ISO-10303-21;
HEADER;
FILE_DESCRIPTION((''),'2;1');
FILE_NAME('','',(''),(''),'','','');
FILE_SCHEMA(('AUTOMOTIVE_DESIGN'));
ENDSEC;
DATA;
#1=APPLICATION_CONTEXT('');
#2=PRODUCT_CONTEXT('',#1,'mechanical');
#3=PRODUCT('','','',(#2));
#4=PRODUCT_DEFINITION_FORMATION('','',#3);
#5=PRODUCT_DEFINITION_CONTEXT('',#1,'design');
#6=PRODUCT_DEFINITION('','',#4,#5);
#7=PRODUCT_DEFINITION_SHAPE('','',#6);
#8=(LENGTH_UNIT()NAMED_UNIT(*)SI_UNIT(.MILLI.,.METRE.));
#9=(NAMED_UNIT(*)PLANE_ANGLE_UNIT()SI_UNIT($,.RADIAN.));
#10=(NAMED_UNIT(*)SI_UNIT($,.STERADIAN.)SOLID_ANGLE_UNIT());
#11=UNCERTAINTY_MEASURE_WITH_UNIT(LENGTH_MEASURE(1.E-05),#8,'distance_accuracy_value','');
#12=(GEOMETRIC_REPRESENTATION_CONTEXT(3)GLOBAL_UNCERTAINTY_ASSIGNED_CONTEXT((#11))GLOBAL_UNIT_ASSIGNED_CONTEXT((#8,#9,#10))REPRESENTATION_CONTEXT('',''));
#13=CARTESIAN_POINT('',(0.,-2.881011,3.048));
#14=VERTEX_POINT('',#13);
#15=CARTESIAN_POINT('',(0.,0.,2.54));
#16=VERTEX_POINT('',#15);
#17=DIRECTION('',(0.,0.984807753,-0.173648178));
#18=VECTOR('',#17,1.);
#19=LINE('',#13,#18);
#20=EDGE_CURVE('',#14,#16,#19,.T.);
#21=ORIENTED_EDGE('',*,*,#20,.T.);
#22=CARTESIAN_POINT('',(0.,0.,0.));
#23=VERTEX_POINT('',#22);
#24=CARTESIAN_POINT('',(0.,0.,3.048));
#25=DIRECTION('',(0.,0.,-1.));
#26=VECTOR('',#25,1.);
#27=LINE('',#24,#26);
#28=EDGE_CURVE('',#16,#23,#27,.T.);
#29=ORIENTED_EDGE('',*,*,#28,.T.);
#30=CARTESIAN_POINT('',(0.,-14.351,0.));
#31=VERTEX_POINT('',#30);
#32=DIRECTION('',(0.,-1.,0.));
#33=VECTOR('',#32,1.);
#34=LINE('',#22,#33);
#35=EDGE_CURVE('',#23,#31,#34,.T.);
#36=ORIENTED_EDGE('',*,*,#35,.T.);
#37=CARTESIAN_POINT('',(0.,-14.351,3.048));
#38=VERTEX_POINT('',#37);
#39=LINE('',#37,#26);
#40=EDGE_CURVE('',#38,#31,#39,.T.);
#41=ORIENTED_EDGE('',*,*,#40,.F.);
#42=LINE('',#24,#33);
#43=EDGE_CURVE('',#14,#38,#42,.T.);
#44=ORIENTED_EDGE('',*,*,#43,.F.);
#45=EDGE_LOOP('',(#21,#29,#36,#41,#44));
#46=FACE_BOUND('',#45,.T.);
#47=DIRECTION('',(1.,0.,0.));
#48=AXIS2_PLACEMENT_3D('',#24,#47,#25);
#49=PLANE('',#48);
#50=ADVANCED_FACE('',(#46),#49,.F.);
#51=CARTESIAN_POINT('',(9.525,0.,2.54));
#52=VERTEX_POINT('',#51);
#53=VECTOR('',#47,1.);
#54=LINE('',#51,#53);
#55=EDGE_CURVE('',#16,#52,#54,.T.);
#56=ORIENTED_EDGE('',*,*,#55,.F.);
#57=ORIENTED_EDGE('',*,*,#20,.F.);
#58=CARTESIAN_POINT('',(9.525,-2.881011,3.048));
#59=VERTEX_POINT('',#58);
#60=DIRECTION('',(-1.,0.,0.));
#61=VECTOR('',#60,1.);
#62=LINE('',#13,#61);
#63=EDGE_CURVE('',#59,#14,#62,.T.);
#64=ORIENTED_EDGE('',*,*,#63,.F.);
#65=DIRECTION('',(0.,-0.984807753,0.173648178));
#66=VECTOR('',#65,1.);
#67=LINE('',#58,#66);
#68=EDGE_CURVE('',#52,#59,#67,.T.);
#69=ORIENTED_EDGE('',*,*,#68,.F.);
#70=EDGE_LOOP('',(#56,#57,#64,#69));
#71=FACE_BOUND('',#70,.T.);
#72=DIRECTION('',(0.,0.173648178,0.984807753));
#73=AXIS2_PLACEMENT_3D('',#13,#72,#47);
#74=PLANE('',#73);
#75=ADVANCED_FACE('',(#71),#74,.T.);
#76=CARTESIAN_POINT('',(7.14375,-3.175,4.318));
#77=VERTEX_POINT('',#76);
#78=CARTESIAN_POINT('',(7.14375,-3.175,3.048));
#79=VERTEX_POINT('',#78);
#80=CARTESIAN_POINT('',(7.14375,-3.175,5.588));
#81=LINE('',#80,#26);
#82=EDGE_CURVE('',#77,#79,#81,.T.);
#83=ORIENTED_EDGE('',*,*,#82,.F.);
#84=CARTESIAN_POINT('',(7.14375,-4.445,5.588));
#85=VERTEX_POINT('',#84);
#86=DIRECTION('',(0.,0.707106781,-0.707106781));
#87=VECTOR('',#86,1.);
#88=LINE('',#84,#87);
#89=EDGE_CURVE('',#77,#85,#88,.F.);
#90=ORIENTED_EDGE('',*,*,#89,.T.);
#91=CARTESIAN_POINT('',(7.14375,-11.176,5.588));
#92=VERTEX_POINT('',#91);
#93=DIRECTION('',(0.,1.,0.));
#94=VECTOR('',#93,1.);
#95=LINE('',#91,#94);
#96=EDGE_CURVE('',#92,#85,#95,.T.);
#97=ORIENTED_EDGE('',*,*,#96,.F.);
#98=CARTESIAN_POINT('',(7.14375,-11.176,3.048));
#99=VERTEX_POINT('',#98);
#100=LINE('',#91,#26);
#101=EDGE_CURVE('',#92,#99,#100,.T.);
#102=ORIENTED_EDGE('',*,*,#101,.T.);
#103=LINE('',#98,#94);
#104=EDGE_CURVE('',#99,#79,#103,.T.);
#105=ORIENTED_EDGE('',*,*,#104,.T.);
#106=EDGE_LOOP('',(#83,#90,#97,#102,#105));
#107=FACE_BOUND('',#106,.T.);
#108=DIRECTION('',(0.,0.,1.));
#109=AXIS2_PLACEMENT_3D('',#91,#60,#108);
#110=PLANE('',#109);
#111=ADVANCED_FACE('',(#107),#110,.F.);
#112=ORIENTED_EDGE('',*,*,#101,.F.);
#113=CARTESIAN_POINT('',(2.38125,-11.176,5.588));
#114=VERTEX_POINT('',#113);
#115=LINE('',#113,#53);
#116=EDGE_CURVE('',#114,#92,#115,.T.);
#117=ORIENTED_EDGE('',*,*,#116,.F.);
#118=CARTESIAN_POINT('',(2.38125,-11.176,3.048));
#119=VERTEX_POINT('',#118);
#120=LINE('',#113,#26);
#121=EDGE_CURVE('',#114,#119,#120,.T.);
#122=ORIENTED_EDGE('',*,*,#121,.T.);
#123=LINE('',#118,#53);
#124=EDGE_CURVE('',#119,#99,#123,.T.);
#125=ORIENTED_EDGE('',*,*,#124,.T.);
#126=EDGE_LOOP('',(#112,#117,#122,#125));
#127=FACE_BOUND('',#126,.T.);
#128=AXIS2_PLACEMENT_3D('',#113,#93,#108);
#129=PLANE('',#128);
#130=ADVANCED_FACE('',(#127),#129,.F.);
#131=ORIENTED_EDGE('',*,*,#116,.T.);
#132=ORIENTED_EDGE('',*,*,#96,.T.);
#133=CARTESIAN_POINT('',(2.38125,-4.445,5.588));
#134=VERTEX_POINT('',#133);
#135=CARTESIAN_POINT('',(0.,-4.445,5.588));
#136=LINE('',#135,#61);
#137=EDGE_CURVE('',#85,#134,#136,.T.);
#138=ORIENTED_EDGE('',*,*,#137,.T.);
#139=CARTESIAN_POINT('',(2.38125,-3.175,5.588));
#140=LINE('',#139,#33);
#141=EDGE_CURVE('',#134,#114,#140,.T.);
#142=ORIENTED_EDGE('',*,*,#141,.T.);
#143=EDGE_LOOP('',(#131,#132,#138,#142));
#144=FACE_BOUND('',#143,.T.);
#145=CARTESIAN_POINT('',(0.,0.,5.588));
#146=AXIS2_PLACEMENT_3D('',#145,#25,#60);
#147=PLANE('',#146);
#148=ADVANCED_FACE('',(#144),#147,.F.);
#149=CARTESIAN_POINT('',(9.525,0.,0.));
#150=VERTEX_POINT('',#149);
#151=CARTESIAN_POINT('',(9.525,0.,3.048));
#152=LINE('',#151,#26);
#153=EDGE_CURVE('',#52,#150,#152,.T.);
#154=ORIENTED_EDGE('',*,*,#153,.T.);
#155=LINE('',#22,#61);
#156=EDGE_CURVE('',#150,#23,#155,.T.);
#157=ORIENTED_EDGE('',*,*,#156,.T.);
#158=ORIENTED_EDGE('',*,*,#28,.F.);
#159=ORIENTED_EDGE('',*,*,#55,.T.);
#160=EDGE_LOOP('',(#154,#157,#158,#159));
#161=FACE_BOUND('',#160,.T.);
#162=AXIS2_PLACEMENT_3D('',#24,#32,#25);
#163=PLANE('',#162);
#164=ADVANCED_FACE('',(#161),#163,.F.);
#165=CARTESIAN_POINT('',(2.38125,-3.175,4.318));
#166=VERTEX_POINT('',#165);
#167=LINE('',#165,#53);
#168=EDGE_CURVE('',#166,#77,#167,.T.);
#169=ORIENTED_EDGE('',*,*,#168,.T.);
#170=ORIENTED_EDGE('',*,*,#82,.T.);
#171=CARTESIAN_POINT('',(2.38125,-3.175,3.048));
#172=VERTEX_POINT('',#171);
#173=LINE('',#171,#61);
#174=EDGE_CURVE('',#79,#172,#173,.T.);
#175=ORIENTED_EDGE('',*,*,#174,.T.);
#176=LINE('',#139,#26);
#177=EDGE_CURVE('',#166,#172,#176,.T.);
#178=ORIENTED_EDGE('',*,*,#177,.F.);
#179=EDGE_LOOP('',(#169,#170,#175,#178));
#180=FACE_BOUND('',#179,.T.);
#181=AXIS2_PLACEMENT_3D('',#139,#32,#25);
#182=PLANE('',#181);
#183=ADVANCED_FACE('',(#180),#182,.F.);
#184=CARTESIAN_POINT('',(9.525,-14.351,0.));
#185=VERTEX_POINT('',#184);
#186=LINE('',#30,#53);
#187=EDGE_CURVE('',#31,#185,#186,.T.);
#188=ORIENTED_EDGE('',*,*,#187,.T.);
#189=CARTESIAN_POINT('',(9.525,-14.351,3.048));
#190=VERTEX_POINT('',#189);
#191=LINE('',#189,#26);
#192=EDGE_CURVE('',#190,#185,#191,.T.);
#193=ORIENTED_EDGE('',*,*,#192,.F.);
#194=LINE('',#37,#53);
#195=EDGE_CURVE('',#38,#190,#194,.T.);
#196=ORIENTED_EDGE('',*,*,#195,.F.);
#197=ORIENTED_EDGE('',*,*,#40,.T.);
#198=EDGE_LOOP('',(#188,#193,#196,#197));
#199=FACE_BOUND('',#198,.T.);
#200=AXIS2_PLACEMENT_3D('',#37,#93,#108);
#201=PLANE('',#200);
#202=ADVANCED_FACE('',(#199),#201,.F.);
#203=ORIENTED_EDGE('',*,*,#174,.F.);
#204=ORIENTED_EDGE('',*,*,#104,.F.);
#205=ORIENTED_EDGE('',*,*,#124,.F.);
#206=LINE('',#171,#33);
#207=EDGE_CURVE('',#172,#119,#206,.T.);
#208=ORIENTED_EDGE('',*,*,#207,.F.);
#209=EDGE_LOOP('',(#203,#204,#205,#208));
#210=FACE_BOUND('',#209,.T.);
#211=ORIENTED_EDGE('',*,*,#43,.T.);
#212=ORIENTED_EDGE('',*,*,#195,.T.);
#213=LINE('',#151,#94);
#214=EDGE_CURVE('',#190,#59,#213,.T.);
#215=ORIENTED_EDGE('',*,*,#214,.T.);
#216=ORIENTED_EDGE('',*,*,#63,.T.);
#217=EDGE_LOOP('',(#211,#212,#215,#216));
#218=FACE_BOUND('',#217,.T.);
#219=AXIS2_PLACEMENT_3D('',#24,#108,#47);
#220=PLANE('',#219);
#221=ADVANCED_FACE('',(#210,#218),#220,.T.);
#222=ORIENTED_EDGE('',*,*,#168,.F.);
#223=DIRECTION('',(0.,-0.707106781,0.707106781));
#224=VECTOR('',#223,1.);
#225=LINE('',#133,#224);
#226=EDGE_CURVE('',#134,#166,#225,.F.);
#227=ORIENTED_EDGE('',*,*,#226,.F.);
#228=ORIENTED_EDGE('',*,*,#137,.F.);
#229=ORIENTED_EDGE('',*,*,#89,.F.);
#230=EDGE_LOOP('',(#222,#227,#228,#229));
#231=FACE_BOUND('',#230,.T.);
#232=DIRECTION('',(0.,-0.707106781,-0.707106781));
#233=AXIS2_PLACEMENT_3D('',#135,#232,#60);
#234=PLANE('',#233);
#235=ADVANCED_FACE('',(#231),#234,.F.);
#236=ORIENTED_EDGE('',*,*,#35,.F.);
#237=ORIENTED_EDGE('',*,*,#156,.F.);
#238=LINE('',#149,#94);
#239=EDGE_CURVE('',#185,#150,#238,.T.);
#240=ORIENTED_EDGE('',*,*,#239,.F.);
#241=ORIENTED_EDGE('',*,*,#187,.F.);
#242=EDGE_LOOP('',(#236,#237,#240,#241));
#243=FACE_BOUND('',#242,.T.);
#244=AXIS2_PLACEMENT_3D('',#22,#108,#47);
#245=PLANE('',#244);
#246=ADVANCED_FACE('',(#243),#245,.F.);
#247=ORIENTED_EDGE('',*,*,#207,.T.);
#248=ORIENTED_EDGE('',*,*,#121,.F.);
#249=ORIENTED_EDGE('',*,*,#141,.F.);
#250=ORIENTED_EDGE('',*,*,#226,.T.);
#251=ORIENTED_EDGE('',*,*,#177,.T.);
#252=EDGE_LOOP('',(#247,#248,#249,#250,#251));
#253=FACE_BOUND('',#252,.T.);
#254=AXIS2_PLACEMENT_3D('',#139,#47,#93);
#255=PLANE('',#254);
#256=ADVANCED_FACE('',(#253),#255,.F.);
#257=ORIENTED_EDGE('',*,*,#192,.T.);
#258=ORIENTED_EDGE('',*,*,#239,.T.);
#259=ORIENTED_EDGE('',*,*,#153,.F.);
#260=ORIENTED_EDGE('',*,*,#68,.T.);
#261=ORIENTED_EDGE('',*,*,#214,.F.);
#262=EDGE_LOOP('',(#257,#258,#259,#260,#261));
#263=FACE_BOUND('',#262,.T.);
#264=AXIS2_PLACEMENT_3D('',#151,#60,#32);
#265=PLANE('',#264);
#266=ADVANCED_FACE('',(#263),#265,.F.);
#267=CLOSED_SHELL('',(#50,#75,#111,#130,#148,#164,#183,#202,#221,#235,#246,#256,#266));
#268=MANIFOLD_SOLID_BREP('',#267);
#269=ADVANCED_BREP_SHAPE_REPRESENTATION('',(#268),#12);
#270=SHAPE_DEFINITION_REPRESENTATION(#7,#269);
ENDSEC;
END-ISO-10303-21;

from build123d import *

# Parameters (mm, degrees)
SKETCH1_W           = 9.525
SKETCH1_H           = 14.351
BOSS_EXTRUDE1_DEPTH = 3.048
SKETCH2_W           = 4.7625
SKETCH2_H           = 8.001
BOSS_EXTRUDE2_DEPTH = 2.54
CHAMFER1_SIZE       = 1.27
CHAMFER2_SIZE       = 0.508
CHAMFER2_SIZE2      = 2.881011164


with BuildPart() as part:
    # Sketch1 → Boss-Extrude1 (new body)
    with BuildSketch(Plane.XY):
        with Locations((4.7625, -7.1755)):
            Rectangle(SKETCH1_W, SKETCH1_H)
    extrude(amount=BOSS_EXTRUDE1_DEPTH)

    # Sketch2 → Boss-Extrude2 (add)
    with BuildSketch(Plane.XY.offset(3.048)):
        with Locations((4.7625, -7.1755)):
            Rectangle(SKETCH2_W, SKETCH2_H)
    extrude(amount=BOSS_EXTRUDE2_DEPTH)

    # Chamfer1
    chamfer1_edges = [part.edges().sort_by_distance(p)[0] for p in [
        (4.7625, -3.175, 5.588),
    ]]
    chamfer(chamfer1_edges, length=CHAMFER1_SIZE)

    # Chamfer2
    chamfer2_edges = [part.edges().sort_by_distance(p)[0] for p in [
        (4.7625, 0, 3.048),
    ]]
    chamfer2_side = [part.faces().sort_by_distance(p)[0] for p in [
        (4.7625, 0, 1.524),
    ]]
    chamfer(chamfer2_edges, length=CHAMFER2_SIZE, length2=CHAMFER2_SIZE2, reference=chamfer2_side[0])


solid = part.part
